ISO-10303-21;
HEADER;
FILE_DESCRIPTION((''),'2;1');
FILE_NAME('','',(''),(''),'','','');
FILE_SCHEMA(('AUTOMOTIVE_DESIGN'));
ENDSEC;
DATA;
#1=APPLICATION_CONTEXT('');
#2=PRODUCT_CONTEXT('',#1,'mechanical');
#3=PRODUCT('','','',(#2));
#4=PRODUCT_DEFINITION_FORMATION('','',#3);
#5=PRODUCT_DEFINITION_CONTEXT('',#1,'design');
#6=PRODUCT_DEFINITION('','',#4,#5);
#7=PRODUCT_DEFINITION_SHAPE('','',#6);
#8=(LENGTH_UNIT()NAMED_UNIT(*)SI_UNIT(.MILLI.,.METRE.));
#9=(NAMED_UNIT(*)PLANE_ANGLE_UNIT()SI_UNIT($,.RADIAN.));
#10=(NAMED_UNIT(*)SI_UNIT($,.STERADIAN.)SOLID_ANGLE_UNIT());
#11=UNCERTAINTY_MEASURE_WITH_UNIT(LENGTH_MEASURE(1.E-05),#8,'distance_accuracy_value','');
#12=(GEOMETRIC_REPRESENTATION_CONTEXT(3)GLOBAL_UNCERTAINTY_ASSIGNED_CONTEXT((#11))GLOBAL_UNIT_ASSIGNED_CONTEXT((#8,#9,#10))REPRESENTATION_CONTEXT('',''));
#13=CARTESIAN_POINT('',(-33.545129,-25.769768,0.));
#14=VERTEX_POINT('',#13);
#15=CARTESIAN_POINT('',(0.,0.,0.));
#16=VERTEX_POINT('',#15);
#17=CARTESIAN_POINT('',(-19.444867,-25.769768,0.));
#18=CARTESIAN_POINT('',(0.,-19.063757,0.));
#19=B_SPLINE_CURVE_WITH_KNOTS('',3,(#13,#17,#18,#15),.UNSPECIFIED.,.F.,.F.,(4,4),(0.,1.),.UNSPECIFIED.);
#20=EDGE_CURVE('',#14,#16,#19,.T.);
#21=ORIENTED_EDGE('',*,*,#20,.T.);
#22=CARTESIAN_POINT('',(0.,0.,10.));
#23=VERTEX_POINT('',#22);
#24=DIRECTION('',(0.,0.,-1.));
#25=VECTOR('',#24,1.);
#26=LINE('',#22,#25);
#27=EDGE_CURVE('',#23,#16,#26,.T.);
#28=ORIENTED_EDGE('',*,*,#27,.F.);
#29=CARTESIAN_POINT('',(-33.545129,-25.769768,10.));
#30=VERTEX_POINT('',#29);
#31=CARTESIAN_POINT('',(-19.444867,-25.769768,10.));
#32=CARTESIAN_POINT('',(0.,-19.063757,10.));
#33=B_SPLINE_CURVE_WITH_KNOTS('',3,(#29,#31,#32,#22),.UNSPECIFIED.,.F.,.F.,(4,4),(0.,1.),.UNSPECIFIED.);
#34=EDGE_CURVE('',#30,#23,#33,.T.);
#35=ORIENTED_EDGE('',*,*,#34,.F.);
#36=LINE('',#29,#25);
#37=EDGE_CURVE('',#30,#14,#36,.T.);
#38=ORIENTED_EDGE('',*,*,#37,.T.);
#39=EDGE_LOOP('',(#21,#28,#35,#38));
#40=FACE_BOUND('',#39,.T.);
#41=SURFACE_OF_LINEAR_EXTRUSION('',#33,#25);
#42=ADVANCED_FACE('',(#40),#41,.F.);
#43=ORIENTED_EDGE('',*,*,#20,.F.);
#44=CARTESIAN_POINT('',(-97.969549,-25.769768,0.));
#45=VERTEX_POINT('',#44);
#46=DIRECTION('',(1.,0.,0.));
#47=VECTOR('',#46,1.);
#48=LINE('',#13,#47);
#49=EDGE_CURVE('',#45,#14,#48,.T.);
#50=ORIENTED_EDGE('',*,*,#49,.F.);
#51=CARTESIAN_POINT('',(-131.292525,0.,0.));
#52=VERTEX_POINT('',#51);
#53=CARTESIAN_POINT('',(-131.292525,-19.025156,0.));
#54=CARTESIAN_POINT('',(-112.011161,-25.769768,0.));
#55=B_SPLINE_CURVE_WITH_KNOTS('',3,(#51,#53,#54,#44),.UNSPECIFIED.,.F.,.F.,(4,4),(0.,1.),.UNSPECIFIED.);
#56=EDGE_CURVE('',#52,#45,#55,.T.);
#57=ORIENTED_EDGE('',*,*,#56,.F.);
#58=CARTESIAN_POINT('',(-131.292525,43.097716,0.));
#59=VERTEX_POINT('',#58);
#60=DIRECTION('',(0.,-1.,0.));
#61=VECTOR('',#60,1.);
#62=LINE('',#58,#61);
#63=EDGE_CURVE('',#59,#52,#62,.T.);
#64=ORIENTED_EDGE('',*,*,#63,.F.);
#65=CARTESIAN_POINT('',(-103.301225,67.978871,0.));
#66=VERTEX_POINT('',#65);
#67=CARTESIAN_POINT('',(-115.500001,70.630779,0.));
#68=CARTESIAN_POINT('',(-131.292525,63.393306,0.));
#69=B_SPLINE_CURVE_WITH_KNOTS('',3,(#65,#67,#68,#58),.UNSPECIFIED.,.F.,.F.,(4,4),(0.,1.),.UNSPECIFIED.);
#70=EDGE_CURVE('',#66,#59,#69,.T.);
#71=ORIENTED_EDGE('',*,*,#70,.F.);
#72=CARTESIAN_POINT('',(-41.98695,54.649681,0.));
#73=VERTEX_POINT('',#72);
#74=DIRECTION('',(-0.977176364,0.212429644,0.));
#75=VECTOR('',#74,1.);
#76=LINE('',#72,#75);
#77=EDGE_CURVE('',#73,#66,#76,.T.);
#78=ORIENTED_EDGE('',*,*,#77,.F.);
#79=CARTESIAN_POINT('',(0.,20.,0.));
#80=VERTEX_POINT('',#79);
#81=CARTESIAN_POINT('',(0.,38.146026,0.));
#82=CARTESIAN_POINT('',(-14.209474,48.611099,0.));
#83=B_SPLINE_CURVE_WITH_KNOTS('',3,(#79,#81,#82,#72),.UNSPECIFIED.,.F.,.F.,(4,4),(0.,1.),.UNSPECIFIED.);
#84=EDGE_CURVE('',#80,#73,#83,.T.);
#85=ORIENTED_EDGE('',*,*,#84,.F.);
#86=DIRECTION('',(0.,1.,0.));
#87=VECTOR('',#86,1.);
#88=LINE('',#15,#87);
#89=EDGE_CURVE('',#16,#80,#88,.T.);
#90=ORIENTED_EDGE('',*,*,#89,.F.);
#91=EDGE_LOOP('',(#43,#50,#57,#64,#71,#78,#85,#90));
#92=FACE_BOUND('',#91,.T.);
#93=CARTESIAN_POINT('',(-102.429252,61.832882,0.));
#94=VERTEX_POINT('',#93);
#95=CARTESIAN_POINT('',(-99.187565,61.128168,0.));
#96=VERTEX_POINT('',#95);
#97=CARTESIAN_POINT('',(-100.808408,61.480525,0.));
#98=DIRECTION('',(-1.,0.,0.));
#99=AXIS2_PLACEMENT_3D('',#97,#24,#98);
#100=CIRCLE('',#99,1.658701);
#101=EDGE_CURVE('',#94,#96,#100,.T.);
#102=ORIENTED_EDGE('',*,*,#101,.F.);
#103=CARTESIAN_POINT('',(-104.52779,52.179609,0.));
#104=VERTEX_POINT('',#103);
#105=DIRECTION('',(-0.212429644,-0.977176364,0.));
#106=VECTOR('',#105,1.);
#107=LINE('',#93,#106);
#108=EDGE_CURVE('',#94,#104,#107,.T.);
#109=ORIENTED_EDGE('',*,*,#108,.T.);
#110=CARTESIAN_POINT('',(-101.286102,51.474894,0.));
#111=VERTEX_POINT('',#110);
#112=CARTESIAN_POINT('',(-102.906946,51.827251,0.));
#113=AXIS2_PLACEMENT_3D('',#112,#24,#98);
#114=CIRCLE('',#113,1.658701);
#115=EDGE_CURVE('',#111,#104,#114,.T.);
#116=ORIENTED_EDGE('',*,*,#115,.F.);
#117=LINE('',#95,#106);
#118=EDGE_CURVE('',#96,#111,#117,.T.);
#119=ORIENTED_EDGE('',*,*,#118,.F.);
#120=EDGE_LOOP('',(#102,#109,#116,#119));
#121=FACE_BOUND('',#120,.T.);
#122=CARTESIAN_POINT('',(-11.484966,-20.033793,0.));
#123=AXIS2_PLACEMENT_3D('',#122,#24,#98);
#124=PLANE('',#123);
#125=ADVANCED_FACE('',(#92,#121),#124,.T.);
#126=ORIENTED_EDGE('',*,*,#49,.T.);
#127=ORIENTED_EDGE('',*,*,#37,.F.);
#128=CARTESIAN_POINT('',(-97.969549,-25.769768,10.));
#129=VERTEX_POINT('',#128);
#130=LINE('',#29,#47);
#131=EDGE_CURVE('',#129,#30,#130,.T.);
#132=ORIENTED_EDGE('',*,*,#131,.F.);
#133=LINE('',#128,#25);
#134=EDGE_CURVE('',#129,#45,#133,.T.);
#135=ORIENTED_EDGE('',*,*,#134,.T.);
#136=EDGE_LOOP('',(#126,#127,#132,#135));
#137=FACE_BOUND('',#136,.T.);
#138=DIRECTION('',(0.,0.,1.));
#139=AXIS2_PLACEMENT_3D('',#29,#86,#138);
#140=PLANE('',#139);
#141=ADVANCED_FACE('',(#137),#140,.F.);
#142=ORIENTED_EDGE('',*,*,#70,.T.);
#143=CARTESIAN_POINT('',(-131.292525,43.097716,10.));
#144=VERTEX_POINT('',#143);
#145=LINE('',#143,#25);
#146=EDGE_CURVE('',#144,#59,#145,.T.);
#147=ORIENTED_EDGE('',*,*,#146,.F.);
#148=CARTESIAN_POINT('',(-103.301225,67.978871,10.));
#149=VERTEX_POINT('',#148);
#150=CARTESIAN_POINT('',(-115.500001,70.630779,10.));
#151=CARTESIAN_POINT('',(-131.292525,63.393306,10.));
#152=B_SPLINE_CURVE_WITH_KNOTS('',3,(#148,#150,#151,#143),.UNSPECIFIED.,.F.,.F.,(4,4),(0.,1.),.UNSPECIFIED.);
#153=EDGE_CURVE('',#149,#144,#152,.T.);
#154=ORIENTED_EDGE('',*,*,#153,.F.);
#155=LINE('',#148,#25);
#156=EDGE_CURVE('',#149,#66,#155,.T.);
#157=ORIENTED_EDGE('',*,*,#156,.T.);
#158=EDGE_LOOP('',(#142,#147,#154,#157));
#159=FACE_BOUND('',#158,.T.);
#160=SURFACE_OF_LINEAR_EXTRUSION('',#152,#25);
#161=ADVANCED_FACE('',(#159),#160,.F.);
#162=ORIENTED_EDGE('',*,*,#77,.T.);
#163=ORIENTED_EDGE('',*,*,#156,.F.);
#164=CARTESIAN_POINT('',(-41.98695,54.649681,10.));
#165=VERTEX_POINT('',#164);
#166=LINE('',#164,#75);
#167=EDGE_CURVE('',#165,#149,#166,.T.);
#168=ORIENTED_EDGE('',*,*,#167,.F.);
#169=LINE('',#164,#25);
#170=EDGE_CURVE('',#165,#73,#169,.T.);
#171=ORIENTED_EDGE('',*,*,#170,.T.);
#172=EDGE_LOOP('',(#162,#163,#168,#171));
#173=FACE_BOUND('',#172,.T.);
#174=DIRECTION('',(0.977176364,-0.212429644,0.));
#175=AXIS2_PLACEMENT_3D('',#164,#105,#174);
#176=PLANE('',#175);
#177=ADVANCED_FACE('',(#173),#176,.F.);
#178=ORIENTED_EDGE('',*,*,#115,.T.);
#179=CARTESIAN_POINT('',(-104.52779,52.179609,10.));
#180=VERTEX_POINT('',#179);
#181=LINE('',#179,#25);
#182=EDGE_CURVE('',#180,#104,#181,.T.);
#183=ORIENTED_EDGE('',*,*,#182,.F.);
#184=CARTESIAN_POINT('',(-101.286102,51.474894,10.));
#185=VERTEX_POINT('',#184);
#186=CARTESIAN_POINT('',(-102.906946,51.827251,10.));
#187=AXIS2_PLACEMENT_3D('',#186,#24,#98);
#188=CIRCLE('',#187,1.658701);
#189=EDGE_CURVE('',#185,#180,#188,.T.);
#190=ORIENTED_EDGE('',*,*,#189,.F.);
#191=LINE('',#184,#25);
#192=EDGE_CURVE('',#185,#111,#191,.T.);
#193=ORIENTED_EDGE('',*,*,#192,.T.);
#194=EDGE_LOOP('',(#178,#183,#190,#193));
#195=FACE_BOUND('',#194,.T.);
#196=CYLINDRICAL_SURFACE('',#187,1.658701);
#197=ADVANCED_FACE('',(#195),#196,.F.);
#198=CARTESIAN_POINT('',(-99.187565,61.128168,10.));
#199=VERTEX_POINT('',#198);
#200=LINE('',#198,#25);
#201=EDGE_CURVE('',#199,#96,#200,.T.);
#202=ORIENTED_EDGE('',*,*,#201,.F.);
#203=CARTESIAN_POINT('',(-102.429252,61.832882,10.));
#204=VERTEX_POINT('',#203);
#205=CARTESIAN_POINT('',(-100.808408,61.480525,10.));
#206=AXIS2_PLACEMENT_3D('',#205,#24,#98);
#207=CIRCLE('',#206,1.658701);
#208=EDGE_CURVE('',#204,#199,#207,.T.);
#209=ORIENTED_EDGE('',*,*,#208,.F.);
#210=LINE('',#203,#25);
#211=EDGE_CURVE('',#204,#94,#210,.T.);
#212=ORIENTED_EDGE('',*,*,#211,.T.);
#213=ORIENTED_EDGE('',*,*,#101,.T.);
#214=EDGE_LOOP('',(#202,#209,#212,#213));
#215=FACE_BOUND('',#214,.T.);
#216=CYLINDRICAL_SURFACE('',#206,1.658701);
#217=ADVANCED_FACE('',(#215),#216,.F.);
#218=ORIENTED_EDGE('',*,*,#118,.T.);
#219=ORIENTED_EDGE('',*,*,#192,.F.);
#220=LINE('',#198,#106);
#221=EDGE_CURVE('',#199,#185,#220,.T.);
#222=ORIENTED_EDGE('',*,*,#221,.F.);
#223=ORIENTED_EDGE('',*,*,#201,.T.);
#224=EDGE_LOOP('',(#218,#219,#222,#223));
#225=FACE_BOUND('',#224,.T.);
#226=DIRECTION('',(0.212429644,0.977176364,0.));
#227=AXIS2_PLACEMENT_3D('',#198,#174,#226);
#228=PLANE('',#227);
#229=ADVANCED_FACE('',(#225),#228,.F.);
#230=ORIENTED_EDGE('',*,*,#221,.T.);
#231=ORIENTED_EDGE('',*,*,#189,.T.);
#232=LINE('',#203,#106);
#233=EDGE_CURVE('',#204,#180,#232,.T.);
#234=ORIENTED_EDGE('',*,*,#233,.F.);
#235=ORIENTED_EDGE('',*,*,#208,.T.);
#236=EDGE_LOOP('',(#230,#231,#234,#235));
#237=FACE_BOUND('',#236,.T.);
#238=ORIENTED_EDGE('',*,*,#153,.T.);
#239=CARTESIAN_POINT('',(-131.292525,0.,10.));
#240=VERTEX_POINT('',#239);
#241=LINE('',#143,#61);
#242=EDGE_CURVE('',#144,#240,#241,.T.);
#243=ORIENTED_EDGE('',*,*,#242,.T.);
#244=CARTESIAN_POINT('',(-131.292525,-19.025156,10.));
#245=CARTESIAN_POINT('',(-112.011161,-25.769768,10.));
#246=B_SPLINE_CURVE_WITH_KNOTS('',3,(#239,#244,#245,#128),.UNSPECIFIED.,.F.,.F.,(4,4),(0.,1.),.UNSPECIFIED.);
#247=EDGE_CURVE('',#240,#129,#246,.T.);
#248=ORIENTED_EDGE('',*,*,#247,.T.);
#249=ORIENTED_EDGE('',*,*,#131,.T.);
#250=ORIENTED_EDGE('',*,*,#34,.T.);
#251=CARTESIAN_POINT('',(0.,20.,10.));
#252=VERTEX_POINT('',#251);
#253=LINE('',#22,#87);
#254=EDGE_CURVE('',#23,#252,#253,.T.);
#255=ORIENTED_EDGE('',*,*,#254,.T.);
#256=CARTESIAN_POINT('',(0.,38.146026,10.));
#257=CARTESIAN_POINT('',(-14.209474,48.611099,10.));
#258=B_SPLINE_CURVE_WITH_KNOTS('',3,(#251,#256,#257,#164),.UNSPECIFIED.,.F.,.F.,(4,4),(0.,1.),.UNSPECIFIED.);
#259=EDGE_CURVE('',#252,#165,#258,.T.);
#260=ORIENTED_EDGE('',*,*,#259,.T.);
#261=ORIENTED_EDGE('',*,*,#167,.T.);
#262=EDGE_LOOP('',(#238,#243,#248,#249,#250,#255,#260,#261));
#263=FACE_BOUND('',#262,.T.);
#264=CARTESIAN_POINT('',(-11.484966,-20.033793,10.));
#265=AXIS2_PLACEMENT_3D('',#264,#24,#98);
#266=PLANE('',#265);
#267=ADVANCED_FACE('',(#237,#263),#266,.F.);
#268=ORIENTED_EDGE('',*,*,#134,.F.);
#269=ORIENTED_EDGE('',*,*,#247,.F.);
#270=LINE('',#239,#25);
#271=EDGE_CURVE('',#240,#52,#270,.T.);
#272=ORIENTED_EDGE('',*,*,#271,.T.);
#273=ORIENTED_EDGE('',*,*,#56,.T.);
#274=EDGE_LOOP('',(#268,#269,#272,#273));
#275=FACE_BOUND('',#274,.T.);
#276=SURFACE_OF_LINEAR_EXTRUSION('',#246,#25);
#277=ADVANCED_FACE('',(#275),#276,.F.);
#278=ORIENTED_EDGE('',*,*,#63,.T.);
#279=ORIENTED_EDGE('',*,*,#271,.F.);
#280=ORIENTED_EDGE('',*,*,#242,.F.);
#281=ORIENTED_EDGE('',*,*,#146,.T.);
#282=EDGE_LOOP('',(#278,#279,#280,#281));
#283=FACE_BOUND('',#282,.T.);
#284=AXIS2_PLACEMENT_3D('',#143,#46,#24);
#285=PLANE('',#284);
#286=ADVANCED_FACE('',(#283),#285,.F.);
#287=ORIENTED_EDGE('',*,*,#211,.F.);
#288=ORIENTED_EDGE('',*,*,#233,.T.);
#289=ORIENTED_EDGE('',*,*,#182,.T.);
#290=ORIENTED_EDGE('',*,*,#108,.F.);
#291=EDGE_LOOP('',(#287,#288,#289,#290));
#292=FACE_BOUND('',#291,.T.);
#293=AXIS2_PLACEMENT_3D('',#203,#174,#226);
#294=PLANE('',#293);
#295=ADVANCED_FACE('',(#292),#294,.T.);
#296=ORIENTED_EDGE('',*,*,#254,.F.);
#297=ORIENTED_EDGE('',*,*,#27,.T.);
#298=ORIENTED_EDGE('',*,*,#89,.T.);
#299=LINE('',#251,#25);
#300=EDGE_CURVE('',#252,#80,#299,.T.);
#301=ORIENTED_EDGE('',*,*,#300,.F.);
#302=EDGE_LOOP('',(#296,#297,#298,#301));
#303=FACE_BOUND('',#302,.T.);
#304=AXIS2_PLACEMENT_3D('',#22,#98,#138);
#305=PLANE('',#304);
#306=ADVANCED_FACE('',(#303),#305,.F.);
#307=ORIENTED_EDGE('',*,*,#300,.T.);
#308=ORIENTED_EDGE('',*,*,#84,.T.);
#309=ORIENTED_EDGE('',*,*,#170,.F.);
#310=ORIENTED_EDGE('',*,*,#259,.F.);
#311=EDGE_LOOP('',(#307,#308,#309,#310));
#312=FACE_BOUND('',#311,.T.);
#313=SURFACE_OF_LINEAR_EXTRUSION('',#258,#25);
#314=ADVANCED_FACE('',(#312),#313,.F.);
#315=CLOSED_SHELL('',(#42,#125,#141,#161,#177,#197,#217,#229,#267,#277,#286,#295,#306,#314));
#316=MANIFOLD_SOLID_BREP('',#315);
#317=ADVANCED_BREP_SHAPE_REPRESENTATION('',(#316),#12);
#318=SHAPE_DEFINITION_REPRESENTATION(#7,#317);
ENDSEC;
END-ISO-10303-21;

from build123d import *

# Parameters (mm, degrees)
EXTRUDE_1_DEPTH     = 10
CUT_EXTRUDE_1_DEPTH = 149.427210809


with BuildPart() as part:
    # Эскиз1_fr → Бобышка-Вытянуть1 (new body)
    with BuildSketch(Plane.XY):
        with BuildLine():
            Line((0, 0), (0, 20))
            add(Edge.make_bspline(
                [(0, 20), (0, 38.146025899), (-14.209474182, 48.611098897), (-41.986949672, 54.649680525)],
                knots=[0, 0, 0, 0, 1, 1, 1, 1], degree=3))
            Line((-41.986949672, 54.649680525), (-103.301225383, 67.978870897))
            add(Edge.make_bspline(
                [(-103.301225383, 67.978870897), (-115.500001367, 70.63077872), (-131.292525164, 63.393306184), (-131.292525164, 43.097715536)],
                knots=[0, 0, 0, 0, 1, 1, 1, 1], degree=3))
            Line((-131.292525164, 43.097715536), (-131.292525164, 0))
            add(Edge.make_bspline(
                [(-97.969549234, -25.769768053), (-112.011160689, -25.769768053), (-131.292525164, -19.025155818), (-131.292525164, 0)],
                knots=[0, 0, 0, 0, 1, 1, 1, 1], degree=3))
            Line((-97.969549234, -25.769768053), (-33.545129103, -25.769768053))
            add(Edge.make_bspline(
                [(-33.545129103, -25.769768053), (-19.444866568, -25.769768053), (0, -19.063757455), (0, 0)],
                knots=[0, 0, 0, 0, 1, 1, 1, 1], degree=3))
        make_face()
    extrude(amount=EXTRUDE_1_DEPTH)

    # Эскиз2_fr → Вырез-Вытянуть1 (cut, through all)
    with BuildSketch(Plane(origin=(0, 0, 0), x_dir=(-1, 0, 0), z_dir=(0, 0, -1))):
        with BuildLine():
            Line((102.429251955, 61.832882372), (104.527789693, 52.179608775))
            ThreePointArc((104.527789693, 52.179608775), (103.259303337, 50.206407776), (101.286102339, 51.474894133))
            Line((101.286102339, 51.474894133), (99.1875646, 61.128167729))
            ThreePointArc((99.1875646, 61.128167729), (100.456050956, 63.101368728), (102.429251955, 61.832882372))
        make_face()
    extrude(amount=-CUT_EXTRUDE_1_DEPTH, mode=Mode.SUBTRACT)


solid = part.part
